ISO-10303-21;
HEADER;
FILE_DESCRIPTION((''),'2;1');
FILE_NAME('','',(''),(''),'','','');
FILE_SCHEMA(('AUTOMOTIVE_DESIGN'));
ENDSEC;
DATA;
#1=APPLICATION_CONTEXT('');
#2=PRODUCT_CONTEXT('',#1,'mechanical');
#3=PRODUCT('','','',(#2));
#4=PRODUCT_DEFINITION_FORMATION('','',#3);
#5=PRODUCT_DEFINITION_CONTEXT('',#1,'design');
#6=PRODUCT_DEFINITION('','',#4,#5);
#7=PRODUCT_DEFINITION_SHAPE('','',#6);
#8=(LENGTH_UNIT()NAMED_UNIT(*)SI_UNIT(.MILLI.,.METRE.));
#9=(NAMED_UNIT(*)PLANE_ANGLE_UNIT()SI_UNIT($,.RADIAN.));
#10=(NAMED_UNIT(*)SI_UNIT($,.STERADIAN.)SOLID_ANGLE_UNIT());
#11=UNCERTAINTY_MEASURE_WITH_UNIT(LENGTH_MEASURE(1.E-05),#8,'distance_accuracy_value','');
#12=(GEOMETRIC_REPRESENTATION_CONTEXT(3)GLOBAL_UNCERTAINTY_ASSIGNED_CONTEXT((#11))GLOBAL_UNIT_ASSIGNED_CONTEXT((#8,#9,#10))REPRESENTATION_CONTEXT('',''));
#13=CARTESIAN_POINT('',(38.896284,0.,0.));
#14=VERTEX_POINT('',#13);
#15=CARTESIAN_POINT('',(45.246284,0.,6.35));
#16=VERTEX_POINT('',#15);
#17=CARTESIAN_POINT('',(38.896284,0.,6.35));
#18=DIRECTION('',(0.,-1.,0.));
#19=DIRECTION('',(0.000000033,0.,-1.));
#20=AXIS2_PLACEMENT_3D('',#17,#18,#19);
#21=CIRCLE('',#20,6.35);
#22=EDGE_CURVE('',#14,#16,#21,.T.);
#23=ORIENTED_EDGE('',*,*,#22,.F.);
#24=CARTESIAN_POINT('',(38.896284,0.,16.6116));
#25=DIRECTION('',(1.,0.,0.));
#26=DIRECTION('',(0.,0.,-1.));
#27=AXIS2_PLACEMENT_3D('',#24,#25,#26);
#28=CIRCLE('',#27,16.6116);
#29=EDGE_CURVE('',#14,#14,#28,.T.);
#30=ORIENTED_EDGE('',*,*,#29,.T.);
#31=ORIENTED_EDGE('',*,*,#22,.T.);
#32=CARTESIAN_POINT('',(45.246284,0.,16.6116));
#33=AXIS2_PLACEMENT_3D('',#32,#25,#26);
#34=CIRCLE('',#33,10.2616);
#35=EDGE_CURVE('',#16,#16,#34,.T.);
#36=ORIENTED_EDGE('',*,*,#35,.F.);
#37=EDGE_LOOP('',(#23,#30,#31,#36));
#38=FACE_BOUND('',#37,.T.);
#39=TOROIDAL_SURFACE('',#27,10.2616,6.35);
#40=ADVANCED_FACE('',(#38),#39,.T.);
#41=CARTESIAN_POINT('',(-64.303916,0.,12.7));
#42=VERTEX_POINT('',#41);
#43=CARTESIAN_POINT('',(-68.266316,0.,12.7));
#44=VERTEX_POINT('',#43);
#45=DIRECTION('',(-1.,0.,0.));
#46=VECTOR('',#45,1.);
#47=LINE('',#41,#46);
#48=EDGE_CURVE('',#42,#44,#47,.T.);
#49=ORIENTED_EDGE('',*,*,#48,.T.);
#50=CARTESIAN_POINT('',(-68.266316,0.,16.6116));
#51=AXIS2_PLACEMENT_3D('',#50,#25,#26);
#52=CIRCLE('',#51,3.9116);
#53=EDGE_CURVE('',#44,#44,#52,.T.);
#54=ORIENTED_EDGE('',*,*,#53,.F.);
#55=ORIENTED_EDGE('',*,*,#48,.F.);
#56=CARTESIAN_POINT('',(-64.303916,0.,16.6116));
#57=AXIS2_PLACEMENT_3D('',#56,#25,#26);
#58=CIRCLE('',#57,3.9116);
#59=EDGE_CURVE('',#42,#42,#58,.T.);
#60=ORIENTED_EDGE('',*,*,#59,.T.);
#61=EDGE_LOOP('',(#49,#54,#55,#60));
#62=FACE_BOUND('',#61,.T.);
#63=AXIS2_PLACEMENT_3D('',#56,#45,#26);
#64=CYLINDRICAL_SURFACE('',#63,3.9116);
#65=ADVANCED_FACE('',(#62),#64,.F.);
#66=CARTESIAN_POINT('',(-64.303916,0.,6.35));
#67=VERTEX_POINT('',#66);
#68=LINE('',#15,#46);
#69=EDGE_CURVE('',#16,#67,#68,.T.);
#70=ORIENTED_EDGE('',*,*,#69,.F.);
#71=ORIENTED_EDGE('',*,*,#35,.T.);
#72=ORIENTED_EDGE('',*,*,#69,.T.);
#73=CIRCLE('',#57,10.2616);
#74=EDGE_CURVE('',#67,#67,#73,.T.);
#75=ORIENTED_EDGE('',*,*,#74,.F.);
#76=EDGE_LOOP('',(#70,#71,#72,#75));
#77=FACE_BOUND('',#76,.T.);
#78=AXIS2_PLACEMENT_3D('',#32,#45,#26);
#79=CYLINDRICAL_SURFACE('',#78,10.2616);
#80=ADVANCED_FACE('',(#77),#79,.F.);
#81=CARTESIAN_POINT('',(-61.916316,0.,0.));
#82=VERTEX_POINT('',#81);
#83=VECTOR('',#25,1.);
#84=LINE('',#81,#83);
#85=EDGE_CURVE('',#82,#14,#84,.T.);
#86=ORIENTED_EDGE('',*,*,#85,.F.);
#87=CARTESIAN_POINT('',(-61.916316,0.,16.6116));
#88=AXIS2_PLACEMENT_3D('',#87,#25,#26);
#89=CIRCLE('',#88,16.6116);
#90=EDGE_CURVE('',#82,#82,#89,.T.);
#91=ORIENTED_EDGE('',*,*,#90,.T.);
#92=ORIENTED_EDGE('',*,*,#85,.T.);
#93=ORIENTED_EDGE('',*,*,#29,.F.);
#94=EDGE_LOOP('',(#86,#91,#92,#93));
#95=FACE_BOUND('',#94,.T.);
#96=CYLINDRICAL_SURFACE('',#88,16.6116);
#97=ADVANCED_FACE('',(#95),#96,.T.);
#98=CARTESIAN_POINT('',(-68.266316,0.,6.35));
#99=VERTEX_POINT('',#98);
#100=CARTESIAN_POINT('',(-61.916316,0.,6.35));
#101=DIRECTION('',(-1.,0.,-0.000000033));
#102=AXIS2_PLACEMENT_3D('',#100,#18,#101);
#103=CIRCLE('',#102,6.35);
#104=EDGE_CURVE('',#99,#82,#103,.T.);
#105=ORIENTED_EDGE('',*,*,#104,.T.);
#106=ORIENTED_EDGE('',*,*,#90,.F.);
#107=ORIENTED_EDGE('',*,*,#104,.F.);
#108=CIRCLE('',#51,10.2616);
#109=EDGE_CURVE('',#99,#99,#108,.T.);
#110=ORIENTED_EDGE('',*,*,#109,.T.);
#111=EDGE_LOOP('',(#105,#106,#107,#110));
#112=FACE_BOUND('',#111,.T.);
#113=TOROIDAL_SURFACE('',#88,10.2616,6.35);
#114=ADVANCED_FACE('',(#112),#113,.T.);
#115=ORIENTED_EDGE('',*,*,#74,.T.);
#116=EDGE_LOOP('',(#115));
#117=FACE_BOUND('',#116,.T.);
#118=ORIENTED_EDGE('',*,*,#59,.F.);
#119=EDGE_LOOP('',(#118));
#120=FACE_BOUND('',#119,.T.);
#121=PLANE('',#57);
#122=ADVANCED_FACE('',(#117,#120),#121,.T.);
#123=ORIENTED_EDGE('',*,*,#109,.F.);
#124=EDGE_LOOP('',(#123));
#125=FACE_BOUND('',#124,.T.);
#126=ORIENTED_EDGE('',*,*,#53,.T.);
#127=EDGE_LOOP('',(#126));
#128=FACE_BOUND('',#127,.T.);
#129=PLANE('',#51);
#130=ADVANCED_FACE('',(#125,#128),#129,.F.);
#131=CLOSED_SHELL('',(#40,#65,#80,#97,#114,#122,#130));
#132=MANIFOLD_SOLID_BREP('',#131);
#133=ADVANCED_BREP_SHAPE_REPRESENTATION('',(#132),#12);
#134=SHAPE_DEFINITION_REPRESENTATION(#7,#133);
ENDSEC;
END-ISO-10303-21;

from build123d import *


with BuildPart() as f1:
    # F0 (on Front) → F1 (revolve)
    with BuildSketch(Plane.XZ):
        with BuildLine():
            ThreePointArc((-68.266316, 6.35), (-66.406444, 1.859872), (-61.916316, 0))
            Line((-61.916316, 0), (38.896284, 0))
            ThreePointArc((38.896284, 0), (43.386412, 1.859872), (45.246284, 6.35))
            Line((45.246284, 6.35), (-64.303916, 6.35))
            Line((-64.303916, 6.35), (-64.303916, 12.7))
            Line((-64.303916, 12.7), (-68.266316, 12.7))
            Line((-68.266316, 12.7), (-68.266316, 6.35))
        make_face()
    revolve(axis=Axis((-11.510016, 0, 16.6116), (1, 0, 0)))


solid = f1.part
